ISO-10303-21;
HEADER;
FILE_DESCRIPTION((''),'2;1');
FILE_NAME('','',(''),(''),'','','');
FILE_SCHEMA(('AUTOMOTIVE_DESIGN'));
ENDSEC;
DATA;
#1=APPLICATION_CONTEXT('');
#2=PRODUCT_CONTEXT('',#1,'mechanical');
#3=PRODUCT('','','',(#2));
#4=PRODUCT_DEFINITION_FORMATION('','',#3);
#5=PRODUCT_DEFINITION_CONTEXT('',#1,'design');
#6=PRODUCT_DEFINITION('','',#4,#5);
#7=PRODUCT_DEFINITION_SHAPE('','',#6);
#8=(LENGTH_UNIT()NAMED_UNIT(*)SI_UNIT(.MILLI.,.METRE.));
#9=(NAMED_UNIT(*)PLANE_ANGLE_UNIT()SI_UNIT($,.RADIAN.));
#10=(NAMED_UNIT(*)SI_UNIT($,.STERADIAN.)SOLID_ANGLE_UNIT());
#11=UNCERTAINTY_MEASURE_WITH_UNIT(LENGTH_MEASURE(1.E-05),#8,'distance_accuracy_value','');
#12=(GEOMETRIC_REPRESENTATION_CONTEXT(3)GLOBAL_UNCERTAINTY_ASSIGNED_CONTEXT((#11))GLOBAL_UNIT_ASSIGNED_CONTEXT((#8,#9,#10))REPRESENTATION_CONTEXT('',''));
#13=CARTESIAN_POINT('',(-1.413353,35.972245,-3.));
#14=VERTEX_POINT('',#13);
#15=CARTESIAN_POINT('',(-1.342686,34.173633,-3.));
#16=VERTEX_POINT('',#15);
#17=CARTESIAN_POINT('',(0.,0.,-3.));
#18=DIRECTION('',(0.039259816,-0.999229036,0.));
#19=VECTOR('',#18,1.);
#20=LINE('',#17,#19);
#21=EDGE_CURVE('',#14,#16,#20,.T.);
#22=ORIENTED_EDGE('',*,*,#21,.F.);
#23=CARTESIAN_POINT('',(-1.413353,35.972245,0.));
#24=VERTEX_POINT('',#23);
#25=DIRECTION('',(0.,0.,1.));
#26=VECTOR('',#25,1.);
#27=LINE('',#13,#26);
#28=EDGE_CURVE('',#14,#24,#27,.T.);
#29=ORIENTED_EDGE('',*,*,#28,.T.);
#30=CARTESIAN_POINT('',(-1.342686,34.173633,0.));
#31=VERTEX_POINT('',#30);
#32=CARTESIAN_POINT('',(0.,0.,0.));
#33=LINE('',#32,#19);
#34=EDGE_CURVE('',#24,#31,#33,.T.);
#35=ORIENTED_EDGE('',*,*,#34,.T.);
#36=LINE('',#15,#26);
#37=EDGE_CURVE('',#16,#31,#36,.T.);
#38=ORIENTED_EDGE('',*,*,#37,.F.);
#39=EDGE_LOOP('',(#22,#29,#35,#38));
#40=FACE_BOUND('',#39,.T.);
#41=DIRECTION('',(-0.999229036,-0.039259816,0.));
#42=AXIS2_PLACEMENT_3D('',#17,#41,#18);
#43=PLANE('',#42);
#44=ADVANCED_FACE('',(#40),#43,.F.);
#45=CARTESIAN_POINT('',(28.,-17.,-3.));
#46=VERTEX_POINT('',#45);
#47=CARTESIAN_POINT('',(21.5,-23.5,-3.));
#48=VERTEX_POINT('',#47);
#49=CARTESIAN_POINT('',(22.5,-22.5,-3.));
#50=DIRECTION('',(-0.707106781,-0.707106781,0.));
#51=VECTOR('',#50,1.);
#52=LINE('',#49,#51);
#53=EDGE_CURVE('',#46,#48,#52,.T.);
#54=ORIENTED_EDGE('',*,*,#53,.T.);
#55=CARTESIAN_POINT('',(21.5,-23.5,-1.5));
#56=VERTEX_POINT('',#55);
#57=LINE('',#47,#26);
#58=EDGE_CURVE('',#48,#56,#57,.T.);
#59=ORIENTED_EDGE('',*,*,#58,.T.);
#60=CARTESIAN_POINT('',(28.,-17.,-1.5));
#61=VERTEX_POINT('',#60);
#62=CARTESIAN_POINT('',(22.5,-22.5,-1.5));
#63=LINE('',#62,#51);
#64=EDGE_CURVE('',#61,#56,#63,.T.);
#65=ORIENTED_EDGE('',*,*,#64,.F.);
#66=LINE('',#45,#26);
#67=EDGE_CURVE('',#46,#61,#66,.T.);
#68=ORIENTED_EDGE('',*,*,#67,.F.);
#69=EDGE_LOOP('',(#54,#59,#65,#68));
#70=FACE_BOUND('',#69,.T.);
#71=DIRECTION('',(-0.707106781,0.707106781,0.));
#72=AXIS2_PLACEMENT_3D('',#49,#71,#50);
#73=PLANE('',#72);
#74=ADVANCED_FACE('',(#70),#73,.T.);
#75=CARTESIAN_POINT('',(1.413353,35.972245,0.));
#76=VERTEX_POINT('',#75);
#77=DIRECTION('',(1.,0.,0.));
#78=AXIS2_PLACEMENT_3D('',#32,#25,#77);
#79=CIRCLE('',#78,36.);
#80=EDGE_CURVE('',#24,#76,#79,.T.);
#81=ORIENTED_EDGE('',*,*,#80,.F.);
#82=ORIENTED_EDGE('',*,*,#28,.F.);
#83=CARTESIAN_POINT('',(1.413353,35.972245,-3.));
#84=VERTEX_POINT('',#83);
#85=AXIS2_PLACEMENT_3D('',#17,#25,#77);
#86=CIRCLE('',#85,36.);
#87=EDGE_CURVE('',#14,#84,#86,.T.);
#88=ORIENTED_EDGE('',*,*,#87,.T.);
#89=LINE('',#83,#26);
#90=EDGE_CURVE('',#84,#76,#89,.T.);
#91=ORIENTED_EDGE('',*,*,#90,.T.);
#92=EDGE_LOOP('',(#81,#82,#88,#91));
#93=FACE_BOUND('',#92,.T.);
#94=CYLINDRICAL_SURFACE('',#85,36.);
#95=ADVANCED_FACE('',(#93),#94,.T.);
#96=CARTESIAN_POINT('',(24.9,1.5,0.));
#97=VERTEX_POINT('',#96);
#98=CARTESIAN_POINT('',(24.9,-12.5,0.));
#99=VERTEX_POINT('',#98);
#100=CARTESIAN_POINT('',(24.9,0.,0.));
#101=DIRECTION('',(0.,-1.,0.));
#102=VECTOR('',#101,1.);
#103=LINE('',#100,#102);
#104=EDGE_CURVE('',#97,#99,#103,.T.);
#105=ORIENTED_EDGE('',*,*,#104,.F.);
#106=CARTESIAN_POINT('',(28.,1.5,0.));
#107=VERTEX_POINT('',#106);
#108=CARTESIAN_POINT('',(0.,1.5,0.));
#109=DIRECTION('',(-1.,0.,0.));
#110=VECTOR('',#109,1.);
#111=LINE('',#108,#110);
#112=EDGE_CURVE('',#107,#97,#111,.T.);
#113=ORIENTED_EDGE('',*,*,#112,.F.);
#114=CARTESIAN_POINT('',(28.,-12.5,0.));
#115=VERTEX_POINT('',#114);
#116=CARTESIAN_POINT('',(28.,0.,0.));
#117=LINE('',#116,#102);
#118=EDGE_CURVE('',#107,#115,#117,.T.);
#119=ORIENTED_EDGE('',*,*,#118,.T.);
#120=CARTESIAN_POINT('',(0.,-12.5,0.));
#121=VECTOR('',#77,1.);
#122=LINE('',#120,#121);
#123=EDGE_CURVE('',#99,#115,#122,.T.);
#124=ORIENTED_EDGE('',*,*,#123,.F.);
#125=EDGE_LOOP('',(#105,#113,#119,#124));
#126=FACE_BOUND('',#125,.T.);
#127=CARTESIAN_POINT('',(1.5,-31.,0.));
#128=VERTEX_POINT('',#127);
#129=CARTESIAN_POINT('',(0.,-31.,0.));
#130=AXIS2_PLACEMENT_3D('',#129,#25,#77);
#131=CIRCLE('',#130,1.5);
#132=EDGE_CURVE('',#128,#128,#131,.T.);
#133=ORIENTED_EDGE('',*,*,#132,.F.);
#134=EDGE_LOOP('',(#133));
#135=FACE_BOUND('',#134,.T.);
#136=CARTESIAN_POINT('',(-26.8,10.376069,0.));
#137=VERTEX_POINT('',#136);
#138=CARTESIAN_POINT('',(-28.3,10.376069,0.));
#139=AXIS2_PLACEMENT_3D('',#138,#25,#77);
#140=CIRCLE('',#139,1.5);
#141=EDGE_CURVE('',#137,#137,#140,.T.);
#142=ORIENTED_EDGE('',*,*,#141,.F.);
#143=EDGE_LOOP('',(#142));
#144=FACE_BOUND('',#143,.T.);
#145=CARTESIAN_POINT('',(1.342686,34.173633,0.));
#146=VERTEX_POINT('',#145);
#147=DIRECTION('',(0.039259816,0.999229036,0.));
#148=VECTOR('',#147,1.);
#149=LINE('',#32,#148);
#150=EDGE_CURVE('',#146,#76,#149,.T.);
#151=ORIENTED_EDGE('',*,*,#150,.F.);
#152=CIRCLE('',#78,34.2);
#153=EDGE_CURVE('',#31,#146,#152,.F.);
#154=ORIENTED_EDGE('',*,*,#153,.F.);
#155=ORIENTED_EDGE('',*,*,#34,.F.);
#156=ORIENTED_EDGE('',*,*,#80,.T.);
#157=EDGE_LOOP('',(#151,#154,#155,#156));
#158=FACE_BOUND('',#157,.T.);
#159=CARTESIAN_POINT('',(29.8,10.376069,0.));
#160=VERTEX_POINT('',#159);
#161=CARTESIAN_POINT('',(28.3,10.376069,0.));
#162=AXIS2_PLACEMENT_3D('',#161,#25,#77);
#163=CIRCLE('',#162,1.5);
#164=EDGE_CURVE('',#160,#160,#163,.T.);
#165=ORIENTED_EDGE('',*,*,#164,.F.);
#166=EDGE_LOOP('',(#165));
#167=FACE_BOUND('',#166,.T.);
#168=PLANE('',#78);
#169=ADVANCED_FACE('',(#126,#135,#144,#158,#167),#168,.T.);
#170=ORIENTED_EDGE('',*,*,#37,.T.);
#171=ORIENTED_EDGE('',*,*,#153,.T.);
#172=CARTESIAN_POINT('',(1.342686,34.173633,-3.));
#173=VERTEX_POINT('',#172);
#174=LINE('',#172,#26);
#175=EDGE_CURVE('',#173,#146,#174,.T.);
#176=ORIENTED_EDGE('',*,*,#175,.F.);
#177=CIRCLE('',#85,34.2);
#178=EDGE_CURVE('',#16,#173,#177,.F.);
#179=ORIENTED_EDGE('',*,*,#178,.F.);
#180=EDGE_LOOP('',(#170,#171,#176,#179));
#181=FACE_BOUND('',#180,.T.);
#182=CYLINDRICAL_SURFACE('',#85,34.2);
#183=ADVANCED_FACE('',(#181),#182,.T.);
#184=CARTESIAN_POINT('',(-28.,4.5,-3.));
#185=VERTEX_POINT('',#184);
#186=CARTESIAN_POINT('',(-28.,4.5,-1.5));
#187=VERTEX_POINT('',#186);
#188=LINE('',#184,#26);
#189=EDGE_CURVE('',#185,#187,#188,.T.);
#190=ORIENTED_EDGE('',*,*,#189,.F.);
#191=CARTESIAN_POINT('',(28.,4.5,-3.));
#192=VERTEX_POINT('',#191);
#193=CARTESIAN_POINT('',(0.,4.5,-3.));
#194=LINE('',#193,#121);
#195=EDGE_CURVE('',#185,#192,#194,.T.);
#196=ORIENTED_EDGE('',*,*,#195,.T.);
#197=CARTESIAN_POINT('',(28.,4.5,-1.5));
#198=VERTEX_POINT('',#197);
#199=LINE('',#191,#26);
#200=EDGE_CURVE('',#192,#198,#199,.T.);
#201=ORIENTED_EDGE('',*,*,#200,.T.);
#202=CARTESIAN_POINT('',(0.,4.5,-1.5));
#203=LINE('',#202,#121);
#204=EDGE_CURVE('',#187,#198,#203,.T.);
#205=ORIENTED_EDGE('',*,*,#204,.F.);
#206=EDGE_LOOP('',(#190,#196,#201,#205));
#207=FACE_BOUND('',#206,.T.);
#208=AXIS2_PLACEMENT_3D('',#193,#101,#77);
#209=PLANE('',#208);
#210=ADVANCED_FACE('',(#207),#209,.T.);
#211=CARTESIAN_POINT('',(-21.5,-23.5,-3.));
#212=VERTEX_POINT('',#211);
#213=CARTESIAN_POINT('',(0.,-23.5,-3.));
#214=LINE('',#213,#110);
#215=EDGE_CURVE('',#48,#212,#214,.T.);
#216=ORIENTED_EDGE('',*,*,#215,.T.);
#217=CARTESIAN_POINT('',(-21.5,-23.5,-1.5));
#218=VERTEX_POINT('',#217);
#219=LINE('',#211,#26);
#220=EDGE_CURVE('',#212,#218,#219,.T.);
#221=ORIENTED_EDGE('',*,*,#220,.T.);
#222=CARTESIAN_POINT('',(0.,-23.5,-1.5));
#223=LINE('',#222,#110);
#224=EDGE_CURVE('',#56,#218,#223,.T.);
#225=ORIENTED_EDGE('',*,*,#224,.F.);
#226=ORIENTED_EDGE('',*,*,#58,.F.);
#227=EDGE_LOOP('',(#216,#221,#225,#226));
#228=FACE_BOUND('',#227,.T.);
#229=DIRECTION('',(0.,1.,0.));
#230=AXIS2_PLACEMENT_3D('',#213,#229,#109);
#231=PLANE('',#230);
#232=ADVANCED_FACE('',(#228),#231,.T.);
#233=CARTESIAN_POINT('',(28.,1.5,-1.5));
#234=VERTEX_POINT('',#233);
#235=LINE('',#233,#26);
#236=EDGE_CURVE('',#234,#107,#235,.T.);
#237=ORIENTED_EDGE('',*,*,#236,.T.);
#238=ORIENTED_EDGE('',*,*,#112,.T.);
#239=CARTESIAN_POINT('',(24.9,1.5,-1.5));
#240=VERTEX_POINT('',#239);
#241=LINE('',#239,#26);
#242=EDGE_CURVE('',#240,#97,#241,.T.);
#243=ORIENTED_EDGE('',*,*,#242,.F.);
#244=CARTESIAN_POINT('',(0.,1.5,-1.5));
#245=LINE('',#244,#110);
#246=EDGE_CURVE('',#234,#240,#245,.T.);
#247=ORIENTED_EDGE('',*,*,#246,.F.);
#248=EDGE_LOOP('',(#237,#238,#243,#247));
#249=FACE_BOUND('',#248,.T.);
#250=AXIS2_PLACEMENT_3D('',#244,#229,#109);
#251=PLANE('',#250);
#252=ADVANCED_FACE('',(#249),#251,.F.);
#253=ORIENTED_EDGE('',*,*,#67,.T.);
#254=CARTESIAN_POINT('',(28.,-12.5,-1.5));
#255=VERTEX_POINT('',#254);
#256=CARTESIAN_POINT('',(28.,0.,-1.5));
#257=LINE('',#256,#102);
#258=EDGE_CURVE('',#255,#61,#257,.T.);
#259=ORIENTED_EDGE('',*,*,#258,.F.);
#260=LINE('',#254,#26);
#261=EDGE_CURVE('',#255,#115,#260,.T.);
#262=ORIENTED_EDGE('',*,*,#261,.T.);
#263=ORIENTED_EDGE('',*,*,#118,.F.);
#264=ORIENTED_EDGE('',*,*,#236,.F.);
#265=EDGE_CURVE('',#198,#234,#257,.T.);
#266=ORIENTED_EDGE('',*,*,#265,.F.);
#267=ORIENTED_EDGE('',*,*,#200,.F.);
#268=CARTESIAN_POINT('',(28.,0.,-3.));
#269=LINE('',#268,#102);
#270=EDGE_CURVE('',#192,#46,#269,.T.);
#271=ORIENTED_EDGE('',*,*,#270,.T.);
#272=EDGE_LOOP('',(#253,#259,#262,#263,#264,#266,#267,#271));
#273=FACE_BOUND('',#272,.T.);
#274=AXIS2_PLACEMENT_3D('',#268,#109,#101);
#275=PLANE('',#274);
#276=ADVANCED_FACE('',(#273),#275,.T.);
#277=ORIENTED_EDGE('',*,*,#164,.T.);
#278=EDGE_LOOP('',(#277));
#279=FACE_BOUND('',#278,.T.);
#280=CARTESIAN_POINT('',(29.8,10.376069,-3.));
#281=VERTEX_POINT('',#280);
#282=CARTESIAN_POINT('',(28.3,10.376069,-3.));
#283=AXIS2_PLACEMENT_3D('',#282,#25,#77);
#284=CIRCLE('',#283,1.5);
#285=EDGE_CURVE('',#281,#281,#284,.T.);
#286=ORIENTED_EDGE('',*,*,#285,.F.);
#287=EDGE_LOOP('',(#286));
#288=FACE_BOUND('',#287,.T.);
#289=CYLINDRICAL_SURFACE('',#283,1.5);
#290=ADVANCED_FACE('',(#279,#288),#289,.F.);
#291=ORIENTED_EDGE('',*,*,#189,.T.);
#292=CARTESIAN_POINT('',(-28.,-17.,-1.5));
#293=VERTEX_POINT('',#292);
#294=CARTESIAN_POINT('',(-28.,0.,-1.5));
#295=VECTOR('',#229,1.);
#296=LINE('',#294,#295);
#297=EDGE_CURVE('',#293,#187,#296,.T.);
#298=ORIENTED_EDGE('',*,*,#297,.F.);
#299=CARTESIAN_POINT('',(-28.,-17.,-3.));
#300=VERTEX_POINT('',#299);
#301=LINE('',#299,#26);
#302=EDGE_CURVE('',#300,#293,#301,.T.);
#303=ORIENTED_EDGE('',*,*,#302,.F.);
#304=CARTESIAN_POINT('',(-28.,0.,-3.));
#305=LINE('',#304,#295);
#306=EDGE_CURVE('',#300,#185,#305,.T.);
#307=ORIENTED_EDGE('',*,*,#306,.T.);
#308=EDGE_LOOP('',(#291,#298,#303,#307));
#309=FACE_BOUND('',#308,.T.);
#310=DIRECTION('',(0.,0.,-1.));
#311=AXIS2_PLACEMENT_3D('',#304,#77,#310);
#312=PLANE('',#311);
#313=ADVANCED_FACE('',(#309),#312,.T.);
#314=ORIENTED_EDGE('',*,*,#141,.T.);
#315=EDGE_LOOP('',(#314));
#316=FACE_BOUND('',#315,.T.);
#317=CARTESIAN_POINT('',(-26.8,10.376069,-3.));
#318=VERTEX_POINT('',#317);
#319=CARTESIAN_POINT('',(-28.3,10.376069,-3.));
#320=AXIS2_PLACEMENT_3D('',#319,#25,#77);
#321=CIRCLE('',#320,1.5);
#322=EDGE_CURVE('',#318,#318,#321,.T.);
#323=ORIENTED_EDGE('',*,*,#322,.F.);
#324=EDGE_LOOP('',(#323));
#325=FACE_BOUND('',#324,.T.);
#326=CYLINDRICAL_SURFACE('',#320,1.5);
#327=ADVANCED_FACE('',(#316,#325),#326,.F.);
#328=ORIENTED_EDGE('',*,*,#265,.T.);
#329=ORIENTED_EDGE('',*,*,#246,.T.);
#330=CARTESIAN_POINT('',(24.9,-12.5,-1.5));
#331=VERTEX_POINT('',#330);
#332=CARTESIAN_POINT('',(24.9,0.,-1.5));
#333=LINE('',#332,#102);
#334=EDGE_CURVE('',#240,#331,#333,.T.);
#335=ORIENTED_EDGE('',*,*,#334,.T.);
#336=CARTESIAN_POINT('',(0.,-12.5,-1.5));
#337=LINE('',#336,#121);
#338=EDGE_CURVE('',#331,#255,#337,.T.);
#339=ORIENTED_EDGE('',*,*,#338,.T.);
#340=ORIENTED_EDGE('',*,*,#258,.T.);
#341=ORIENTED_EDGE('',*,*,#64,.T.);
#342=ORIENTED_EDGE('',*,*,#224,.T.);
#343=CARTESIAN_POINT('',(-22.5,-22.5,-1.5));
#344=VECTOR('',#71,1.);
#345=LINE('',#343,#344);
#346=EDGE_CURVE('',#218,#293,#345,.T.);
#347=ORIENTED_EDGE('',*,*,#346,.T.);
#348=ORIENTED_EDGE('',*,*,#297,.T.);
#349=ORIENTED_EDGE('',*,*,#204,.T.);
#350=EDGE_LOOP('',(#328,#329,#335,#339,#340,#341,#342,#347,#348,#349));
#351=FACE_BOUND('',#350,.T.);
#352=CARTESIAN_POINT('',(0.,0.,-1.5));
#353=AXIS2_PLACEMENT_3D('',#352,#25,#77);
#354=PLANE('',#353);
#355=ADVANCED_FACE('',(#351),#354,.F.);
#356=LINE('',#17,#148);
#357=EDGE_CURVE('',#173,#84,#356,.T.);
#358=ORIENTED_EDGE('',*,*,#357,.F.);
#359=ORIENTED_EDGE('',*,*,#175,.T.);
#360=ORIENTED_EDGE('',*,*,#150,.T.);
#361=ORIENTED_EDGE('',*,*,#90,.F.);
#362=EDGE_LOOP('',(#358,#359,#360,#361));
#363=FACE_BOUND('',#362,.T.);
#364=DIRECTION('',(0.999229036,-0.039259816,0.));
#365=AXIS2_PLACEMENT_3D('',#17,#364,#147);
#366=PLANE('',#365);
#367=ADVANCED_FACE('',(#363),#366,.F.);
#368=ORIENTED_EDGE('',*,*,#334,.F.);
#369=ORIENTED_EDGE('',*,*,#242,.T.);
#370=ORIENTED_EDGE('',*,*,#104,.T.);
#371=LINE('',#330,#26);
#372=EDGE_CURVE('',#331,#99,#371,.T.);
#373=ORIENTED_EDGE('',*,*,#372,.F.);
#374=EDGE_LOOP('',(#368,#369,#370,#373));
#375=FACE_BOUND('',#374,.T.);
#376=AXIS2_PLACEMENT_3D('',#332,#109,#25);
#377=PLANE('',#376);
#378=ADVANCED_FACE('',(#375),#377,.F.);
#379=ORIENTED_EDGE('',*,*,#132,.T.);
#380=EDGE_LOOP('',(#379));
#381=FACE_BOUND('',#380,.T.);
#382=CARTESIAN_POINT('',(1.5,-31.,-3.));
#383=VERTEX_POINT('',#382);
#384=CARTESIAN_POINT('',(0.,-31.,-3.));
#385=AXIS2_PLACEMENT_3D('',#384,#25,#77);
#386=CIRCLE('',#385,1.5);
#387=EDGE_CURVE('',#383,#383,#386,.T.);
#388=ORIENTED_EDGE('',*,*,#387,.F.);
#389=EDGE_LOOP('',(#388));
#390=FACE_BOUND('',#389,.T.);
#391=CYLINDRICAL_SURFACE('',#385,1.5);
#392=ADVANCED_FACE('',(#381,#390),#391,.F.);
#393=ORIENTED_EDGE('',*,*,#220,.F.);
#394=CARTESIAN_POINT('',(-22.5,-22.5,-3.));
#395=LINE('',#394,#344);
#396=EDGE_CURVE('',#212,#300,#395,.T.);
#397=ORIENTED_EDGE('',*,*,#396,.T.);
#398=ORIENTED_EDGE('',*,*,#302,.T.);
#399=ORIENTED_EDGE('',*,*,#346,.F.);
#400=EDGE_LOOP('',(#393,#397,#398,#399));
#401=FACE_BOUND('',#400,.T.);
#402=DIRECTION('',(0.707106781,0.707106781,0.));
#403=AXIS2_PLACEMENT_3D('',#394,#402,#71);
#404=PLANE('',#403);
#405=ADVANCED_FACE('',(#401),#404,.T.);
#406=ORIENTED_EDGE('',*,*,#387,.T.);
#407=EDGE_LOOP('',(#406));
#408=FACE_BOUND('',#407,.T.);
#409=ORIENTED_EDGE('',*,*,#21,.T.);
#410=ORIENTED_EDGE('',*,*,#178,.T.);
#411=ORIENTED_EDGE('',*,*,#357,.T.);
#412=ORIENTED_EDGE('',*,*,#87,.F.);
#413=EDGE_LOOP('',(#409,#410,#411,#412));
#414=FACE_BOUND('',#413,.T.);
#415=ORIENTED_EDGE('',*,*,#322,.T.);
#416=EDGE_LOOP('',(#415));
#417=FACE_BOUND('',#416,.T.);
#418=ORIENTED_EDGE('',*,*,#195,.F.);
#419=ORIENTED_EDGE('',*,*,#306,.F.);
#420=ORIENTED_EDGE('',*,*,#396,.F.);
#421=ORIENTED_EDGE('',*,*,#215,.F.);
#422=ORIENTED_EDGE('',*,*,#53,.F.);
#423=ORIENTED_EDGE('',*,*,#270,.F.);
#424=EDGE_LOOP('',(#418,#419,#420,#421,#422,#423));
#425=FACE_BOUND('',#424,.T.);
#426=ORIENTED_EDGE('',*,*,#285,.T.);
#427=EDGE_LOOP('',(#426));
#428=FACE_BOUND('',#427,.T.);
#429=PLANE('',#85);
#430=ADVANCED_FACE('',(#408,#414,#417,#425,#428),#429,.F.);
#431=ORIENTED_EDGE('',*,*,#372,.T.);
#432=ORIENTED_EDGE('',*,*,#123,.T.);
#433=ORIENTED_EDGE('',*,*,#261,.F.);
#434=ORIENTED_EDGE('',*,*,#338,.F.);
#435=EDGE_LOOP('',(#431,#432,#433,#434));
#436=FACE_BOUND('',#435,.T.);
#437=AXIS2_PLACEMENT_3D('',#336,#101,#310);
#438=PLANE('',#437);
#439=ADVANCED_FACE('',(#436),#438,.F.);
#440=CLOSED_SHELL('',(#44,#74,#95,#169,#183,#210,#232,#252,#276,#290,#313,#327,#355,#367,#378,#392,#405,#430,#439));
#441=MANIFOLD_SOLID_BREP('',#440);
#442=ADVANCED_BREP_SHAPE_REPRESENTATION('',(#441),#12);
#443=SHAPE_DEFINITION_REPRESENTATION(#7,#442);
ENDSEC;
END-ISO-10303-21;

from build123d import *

# Parameters (mm, degrees)
SKETCH1_R           = 1.5
BOSS_EXTRUDE3_DEPTH = 3
BOSS_EXTRUDE4_DEPTH = 1.5


with BuildPart() as part:
    # Sketch1 → Boss-Extrude3 (new body)
    with BuildSketch(Plane.XY):
        with BuildLine():
            Line((-1.413353367, 35.972245305), (-1.342685699, 34.173633039))
            ThreePointArc((-1.342685699, 34.173633039), (0, 34.2), (1.342685699, 34.173633039))
            Line((1.342685699, 34.173633039), (1.413353367, 35.972245305))
            ThreePointArc((1.413353367, 35.972245305), (0, -36), (-1.413353367, 35.972245305))
        make_face()
        with Locations((28.3, 10.376069152)):
            Circle(SKETCH1_R, mode=Mode.SUBTRACT)
        with Locations((-28.3, 10.376069152)):
            Circle(SKETCH1_R, mode=Mode.SUBTRACT)
        with Locations((0, -31)):
            Circle(SKETCH1_R, mode=Mode.SUBTRACT)
        Polygon((-28, 4.5), (28, 4.5), (28, -17), (21.5, -23.5), (-21.5, -23.5), (-28, -17), align=None, mode=Mode.SUBTRACT)
    extrude(amount=-BOSS_EXTRUDE3_DEPTH)

    # Sketch1<9> → Boss-Extrude4 (add)
    with BuildSketch(Plane.XY):
        Polygon((28, 4.5), (0, 4.5), (0, -23.5), (21.5, -23.5), (28, -17), (28, -12.5), (24.9, -12.5), (24.9, 1.5), (28, 1.5), align=None)
        Polygon((0, -23.5), (0, 4.5), (-28, 4.5), (-28, -17), (-21.5, -23.5), align=None)
    extrude(amount=-BOSS_EXTRUDE4_DEPTH)


solid = part.part
